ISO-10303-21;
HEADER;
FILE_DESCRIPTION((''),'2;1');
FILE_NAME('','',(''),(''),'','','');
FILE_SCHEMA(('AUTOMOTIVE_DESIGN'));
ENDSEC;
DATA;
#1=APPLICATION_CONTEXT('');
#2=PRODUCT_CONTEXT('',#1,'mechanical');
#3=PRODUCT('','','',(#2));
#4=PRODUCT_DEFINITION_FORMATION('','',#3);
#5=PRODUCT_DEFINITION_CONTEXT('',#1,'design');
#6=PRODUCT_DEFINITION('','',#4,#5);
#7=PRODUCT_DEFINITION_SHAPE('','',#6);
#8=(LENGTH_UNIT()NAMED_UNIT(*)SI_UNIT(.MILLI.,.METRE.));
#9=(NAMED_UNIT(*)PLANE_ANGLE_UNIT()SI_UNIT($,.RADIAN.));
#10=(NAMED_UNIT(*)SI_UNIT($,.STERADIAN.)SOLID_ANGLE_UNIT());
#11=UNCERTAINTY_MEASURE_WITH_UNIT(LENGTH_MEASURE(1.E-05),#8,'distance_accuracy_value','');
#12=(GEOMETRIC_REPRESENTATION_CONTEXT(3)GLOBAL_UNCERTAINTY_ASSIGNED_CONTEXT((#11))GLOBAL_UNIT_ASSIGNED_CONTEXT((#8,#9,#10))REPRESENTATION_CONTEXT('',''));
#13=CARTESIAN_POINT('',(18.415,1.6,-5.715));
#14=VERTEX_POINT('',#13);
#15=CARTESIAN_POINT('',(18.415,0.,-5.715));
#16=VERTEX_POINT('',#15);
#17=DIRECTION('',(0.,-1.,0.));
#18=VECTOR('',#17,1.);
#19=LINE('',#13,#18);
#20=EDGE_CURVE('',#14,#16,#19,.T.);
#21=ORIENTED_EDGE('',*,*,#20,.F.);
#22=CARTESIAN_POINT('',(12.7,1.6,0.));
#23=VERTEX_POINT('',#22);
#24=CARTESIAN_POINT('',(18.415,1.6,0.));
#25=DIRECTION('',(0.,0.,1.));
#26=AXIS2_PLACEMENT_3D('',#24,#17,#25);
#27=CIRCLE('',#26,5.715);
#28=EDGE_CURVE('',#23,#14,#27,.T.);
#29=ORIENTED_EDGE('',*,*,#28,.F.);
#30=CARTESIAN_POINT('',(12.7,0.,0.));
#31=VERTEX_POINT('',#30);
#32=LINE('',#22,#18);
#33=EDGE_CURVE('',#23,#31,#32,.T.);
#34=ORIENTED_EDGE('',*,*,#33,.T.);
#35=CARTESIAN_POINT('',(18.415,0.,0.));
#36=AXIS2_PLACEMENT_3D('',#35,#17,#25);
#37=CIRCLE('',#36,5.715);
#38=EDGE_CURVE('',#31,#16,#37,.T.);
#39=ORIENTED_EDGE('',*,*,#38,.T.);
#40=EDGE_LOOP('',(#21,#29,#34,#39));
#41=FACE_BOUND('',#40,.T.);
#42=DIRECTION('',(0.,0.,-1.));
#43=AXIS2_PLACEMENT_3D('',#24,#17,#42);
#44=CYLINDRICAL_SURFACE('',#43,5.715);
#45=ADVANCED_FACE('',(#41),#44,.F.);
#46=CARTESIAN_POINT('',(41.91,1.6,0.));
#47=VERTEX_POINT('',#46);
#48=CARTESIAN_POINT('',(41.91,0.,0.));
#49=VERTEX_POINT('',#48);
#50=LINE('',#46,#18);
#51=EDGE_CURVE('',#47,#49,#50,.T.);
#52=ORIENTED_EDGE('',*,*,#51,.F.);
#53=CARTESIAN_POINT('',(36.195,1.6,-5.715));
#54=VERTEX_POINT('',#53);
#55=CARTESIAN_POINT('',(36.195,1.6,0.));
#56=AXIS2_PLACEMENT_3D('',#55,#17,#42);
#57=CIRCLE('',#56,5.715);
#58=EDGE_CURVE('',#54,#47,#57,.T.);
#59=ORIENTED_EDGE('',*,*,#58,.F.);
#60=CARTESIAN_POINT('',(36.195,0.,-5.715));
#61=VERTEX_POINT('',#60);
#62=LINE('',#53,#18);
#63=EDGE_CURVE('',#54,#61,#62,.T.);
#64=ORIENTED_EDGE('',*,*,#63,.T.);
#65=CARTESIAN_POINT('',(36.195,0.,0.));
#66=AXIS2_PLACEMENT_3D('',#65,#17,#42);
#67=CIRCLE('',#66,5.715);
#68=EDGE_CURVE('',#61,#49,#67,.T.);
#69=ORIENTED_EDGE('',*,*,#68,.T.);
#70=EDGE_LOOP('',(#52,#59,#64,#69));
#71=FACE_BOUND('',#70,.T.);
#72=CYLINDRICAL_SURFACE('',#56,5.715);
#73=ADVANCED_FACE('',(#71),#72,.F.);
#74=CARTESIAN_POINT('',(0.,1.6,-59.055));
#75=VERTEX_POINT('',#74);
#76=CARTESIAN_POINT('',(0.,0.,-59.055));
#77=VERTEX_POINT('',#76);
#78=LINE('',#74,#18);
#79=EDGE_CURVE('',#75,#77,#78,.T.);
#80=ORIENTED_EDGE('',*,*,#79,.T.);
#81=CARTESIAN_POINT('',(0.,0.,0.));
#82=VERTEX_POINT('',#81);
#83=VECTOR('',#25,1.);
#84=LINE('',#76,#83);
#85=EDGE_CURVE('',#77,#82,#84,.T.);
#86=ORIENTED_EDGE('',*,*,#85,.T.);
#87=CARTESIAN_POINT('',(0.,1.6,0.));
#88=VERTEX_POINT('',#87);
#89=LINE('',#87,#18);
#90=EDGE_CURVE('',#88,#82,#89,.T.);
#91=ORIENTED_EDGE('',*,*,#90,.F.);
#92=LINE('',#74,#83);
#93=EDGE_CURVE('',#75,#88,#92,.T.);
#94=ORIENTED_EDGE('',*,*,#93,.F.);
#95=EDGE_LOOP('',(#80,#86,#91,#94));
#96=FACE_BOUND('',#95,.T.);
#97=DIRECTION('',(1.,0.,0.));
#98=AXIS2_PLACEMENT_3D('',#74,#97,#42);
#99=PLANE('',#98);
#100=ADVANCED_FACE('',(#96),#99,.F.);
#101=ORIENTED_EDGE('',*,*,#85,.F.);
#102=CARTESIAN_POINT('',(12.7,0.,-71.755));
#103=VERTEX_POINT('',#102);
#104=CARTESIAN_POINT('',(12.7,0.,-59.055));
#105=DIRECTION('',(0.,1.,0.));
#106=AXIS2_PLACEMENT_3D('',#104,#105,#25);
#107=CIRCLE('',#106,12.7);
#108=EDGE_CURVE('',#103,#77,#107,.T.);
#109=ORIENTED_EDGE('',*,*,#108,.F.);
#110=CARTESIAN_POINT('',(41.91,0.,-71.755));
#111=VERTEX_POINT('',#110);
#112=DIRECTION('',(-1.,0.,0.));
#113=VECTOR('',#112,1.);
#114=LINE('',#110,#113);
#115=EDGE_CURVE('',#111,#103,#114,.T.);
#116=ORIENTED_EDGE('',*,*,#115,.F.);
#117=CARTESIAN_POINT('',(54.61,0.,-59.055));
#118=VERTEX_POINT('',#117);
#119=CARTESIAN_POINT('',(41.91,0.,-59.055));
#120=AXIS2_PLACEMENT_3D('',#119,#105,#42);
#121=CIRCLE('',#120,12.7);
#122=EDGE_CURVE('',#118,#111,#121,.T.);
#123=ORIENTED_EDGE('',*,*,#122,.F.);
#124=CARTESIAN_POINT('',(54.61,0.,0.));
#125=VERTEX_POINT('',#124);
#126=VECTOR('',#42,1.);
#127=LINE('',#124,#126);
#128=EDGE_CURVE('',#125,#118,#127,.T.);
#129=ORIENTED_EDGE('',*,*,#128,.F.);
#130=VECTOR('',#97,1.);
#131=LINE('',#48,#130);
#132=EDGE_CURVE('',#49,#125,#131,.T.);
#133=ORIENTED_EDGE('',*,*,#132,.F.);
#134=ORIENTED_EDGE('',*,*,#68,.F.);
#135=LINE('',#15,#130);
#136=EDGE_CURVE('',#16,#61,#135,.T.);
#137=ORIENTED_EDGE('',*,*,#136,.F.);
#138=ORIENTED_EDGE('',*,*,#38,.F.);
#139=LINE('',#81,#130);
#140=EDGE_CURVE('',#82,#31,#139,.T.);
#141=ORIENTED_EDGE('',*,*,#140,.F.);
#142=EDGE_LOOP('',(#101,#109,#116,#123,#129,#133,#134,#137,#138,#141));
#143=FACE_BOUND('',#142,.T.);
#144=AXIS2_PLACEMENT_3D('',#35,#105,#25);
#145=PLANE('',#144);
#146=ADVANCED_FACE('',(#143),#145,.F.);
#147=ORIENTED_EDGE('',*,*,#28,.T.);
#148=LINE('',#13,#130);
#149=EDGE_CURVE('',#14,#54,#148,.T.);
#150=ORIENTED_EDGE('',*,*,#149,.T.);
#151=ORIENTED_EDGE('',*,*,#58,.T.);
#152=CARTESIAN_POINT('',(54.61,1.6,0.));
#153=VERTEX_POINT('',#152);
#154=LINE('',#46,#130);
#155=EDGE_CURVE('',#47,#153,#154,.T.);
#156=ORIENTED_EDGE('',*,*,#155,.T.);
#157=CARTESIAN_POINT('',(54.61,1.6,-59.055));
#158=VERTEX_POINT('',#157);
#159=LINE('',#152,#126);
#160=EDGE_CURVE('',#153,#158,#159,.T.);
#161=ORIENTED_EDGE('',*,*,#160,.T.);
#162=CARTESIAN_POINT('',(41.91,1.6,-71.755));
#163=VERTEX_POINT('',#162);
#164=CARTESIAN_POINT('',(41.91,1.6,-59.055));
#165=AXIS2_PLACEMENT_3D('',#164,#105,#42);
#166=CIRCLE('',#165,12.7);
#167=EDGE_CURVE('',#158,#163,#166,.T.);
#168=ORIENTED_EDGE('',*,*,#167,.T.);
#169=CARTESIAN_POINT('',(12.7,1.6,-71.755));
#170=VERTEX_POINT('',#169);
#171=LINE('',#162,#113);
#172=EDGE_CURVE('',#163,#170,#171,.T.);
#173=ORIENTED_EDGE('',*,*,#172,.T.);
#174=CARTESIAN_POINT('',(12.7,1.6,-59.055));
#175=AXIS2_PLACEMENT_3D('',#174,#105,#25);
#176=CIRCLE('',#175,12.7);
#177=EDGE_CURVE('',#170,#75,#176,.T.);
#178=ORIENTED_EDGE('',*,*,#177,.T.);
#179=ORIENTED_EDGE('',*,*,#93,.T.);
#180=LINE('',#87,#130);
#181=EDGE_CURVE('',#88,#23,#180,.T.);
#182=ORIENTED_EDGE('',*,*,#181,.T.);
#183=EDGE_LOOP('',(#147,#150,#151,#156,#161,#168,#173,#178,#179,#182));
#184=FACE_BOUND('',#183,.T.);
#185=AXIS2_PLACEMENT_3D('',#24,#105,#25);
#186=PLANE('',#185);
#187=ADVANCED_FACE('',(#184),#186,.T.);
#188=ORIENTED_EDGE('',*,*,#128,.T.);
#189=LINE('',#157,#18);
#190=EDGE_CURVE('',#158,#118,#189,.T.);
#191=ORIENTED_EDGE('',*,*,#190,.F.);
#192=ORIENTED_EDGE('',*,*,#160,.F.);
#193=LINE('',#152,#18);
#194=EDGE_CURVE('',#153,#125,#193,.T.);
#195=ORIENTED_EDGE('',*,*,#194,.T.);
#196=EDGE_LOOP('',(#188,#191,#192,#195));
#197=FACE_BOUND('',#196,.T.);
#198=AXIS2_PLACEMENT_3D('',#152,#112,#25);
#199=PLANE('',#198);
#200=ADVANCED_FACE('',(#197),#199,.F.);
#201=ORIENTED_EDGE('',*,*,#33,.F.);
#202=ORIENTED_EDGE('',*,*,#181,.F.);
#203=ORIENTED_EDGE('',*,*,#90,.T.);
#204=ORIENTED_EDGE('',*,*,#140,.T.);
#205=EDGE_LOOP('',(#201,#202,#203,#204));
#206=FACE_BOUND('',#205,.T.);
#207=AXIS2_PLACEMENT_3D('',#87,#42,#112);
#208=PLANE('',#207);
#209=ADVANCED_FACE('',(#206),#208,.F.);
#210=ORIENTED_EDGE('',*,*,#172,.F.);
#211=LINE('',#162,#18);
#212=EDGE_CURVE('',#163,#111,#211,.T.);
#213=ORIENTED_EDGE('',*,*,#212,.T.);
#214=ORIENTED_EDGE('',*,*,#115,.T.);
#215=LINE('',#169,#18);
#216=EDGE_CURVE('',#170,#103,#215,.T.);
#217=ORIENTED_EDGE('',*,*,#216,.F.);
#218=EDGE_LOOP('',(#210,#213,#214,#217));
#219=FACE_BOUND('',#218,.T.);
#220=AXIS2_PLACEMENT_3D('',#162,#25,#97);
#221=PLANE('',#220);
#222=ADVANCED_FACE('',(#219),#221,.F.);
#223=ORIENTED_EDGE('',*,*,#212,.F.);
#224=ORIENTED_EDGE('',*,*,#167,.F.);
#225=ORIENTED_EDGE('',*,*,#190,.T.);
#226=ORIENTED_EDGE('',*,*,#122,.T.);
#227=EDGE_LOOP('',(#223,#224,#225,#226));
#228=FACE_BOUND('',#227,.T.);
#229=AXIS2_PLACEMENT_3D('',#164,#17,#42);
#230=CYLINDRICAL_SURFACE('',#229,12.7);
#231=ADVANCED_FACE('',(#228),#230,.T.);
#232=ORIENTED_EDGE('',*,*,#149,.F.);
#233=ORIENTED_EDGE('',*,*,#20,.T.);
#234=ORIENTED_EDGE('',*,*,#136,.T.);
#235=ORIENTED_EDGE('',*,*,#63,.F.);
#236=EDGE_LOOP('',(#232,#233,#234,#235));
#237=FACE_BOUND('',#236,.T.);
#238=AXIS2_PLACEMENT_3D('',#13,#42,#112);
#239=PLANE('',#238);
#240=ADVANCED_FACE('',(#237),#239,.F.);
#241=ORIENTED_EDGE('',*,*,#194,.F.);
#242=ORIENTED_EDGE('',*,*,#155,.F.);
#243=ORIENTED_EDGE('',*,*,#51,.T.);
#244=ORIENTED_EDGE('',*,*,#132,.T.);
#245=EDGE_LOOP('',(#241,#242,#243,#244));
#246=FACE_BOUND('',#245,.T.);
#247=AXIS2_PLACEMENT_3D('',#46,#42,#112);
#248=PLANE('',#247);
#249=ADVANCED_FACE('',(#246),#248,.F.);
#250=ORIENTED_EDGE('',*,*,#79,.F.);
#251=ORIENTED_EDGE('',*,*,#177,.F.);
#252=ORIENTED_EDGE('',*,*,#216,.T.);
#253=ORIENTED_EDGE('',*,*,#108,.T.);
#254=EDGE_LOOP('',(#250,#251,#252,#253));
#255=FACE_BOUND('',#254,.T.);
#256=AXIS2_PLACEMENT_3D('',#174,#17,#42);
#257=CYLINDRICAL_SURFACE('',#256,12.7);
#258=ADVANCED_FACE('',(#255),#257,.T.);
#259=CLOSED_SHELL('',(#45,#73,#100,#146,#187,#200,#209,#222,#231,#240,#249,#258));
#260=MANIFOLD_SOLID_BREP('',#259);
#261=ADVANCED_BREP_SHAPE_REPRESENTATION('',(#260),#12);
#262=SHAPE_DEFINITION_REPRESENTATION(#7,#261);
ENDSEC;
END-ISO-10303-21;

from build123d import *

# Parameters (mm, degrees)
BOSS_EXTRUDE1_DEPTH = 1.6


with BuildPart() as part:
    # Sketch2 → Boss-Extrude1 (new body)
    with BuildSketch(Plane(origin=(0, 0, 0), x_dir=(1, 0, 0), z_dir=(0, 1, 0))):
        with BuildLine():
            Line((0, 0), (12.7, 0))
            ThreePointArc((12.7, 0), (14.373884746, 4.041115254), (18.415, 5.715))
            Line((18.415, 5.715), (36.195, 5.715))
            ThreePointArc((36.195, 5.715), (40.236115254, 4.041115254), (41.91, 0))
            Line((41.91, 0), (54.61, 0))
            Line((54.61, 0), (54.61, 59.055))
            ThreePointArc((54.61, 59.055), (50.890256121, 68.035256121), (41.91, 71.755))
            Line((41.91, 71.755), (12.7, 71.755))
            ThreePointArc((12.7, 71.755), (3.719743879, 68.035256121), (0, 59.055))
            Line((0, 59.055), (0, 0))
        make_face()
    extrude(amount=BOSS_EXTRUDE1_DEPTH)


solid = part.part
